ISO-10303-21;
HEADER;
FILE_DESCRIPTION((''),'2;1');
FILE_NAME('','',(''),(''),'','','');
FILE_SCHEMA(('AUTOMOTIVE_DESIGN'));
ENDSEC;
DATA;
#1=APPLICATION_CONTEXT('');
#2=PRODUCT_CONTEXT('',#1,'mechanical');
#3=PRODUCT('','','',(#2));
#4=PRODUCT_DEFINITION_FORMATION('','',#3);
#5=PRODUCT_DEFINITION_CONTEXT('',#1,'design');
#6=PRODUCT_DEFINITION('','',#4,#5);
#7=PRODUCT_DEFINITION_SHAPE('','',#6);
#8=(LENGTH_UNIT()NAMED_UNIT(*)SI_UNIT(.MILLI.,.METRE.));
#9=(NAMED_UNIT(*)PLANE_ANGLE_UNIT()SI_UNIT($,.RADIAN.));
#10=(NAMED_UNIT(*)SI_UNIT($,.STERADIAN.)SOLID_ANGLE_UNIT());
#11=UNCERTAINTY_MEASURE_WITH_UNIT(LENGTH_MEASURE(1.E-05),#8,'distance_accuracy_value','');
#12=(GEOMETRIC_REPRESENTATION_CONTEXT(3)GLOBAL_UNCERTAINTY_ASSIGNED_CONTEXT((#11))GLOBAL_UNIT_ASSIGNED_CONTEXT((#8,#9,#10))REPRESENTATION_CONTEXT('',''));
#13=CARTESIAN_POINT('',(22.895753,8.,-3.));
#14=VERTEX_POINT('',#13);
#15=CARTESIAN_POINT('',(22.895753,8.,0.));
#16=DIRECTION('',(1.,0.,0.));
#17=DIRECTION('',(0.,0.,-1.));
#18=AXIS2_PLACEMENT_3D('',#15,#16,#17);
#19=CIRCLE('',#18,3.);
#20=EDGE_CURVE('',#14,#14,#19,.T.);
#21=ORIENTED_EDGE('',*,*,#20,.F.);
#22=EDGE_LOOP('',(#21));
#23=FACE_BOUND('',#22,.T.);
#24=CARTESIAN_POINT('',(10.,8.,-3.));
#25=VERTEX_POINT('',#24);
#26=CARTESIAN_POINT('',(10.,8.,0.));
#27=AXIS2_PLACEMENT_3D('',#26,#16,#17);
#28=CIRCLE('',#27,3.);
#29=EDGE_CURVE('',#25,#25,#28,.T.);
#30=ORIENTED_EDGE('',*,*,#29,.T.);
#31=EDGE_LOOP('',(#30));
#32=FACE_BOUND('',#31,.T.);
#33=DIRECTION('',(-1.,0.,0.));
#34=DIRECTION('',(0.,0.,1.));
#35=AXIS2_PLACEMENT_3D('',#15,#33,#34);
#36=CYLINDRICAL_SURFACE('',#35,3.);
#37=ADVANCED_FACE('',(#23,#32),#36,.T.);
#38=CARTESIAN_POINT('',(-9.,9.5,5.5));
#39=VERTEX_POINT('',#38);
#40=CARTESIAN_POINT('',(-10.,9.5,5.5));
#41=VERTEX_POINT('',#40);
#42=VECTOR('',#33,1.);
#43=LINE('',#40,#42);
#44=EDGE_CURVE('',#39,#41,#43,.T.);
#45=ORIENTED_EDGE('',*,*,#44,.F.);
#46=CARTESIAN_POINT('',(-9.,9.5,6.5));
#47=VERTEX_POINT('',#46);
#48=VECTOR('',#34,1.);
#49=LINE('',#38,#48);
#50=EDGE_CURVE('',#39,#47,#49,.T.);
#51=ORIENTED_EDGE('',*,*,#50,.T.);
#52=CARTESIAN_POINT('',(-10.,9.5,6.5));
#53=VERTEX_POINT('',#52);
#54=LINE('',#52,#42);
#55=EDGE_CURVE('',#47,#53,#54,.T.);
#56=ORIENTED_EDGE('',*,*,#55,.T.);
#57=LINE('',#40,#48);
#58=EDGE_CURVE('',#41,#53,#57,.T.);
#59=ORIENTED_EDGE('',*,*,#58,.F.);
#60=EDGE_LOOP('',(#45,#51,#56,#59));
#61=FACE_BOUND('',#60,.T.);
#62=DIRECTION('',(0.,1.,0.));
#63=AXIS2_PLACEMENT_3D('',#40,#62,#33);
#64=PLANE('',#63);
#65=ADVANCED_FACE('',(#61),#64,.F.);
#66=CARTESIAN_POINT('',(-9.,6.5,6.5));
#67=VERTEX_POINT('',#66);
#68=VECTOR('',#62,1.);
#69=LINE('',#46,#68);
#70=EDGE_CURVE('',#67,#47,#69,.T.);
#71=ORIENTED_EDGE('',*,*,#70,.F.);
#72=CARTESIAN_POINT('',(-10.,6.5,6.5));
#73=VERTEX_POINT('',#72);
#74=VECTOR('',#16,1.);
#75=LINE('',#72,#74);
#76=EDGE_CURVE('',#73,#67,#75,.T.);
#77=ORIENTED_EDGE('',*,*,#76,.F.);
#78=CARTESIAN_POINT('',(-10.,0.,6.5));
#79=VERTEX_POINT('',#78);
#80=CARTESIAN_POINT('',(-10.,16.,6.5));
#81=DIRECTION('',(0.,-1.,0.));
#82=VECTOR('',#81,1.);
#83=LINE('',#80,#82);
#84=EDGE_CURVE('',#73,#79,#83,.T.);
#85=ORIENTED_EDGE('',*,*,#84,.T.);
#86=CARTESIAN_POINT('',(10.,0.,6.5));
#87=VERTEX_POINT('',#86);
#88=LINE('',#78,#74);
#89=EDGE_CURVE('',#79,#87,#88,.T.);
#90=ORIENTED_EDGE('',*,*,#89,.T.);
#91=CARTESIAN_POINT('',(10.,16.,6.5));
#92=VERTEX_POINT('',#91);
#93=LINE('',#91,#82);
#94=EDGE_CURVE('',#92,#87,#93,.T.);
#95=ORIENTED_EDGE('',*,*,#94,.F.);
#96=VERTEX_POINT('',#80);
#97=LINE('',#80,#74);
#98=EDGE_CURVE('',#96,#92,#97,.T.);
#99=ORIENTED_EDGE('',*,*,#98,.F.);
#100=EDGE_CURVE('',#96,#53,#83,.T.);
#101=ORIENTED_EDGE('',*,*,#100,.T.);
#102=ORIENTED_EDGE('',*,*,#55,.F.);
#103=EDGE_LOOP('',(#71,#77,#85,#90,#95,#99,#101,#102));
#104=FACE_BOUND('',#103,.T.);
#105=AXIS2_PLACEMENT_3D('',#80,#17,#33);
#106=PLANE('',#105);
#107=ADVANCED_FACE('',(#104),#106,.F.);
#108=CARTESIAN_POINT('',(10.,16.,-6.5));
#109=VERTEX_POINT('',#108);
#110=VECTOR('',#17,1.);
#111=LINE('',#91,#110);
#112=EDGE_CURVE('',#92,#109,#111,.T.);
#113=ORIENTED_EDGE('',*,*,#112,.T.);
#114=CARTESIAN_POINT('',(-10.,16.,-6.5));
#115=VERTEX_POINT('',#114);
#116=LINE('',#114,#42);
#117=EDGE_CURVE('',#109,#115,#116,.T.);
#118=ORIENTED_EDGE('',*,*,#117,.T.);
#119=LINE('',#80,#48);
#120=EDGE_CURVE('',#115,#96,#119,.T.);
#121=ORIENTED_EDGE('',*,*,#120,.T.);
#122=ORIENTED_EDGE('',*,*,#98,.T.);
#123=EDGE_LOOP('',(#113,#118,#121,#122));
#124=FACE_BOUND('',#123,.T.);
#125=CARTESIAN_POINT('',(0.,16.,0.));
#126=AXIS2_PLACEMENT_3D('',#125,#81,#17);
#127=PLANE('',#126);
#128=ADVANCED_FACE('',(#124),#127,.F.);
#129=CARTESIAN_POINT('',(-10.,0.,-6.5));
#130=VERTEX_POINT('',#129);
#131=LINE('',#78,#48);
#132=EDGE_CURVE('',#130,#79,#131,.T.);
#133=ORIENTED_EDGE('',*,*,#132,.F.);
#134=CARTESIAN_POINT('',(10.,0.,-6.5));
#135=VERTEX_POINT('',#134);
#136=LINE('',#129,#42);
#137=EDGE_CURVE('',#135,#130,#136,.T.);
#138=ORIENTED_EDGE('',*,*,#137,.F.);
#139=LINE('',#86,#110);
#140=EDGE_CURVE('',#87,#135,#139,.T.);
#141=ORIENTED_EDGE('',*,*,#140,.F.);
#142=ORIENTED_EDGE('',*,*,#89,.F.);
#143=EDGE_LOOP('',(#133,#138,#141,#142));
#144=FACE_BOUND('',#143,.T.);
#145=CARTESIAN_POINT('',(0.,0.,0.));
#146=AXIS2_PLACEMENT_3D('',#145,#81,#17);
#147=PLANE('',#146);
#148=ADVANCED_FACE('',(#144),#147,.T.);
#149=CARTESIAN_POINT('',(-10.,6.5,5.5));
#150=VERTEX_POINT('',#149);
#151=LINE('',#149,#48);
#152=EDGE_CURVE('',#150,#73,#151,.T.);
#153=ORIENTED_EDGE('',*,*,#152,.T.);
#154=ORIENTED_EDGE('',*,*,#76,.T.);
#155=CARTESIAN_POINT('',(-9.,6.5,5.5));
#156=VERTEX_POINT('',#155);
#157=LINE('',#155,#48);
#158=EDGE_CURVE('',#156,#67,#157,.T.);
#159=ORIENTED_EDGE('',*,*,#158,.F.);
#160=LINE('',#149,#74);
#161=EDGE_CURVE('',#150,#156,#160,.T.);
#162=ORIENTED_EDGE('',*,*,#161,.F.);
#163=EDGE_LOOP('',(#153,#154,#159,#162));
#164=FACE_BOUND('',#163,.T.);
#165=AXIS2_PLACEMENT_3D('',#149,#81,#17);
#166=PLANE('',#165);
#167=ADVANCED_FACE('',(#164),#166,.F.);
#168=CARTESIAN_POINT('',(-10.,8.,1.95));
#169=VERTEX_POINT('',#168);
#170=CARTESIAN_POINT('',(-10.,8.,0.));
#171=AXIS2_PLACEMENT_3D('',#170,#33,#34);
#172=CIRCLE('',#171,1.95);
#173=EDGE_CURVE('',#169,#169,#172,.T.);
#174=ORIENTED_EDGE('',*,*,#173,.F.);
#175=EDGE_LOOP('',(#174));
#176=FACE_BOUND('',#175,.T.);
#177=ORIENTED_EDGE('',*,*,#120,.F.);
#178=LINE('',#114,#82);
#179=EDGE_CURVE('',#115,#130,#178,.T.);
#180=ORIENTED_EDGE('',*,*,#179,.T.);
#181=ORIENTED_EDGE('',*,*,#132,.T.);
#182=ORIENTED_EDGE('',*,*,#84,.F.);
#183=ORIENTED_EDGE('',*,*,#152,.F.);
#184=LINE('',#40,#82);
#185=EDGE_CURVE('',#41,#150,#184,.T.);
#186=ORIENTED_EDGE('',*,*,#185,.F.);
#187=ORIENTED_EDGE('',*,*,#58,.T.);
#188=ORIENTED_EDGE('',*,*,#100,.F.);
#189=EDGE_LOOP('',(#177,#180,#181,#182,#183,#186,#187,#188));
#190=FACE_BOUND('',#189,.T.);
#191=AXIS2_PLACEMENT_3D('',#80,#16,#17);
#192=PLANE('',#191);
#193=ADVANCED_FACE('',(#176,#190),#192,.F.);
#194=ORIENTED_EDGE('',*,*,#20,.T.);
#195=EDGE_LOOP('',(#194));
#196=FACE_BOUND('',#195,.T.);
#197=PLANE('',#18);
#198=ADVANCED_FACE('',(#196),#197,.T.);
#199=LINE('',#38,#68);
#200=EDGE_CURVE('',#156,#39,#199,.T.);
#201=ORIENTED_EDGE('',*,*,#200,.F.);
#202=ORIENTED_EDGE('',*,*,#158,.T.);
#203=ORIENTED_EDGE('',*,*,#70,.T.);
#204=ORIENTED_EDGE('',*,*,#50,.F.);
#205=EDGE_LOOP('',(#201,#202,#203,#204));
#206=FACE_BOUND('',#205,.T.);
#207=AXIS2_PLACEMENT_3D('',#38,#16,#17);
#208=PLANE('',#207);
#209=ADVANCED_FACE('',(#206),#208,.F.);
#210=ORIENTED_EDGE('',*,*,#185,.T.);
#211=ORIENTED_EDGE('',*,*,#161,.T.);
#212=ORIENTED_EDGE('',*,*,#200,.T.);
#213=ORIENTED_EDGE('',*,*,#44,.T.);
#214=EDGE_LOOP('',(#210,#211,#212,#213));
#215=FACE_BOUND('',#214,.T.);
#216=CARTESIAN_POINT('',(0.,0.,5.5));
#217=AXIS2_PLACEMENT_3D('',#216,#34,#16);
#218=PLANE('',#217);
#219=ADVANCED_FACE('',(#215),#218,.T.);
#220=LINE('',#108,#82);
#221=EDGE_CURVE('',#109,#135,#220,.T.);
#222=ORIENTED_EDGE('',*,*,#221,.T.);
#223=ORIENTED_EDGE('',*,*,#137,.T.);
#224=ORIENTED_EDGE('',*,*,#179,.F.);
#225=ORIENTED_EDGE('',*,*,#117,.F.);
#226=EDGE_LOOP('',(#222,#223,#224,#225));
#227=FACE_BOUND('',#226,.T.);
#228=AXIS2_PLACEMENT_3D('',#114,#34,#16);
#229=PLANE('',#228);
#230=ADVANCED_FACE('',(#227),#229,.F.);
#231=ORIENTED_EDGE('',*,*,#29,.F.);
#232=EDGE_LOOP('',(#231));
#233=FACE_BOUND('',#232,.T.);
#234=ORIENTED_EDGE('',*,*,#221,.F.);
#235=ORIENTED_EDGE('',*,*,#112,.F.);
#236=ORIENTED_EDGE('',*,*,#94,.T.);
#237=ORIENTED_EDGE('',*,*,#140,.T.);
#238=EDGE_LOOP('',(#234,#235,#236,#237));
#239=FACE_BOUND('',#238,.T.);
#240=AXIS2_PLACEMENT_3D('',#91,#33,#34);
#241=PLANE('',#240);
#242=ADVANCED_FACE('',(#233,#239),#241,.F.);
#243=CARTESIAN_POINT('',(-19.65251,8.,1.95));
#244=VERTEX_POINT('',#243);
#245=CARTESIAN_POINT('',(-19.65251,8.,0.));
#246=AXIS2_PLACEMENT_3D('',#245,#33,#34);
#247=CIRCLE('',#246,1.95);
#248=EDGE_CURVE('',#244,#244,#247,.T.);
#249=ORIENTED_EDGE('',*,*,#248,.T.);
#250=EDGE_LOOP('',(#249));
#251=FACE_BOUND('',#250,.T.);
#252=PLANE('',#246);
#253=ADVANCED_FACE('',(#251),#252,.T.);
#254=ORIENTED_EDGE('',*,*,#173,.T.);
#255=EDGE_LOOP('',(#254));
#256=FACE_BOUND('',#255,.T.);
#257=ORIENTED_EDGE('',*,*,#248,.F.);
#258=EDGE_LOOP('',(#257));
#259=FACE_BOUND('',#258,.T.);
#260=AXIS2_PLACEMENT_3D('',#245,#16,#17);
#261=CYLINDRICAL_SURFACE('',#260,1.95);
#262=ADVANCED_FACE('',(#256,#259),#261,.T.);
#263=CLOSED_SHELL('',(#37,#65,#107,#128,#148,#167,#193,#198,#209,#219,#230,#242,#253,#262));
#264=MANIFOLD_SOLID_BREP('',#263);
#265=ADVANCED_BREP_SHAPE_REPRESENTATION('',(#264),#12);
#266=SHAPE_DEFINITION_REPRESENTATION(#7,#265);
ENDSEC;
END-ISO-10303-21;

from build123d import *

# Parameters (mm, degrees)
SKETCH1_W           = 20
SKETCH1_H           = 13
BOSS_EXTRUDE1_DEPTH = 16
SKETCH2_R           = 1.95
BOSS_EXTRUDE2_DEPTH = 9.652509653
SKETCH3_R           = 3
BOSS_EXTRUDE3_DEPTH = 12.895752896
SKETCH4_W           = 1
SKETCH4_H           = 3
CUT_EXTRUDE1_DEPTH  = 1


with BuildPart() as part:
    # Sketch1 → Boss-Extrude1 (new body)
    with BuildSketch(Plane(origin=(0, 0, 0), x_dir=(1, 0, 0), z_dir=(0, 1, 0))):
        Rectangle(SKETCH1_W, SKETCH1_H)
    extrude(amount=BOSS_EXTRUDE1_DEPTH)

    # Sketch2 → Boss-Extrude2 (add)
    with BuildSketch(Plane.ZY.offset(10)):
        with Locations((0, 8)):
            Circle(SKETCH2_R)
    extrude(amount=BOSS_EXTRUDE2_DEPTH)

    # Sketch3 → Boss-Extrude3 (add)
    with BuildSketch(Plane(origin=(10, 0, 0), x_dir=(0, 0, -1), z_dir=(1, 0, 0))):
        with Locations((0, 8)):
            Circle(SKETCH3_R)
    extrude(amount=BOSS_EXTRUDE3_DEPTH)

    # Sketch4 → Cut-Extrude1 (cut)
    with BuildSketch(Plane.XY.offset(6.5)):
        with Locations((-9.5, 8)):
            Rectangle(SKETCH4_W, SKETCH4_H)
    extrude(amount=-CUT_EXTRUDE1_DEPTH, mode=Mode.SUBTRACT)


solid = part.part
